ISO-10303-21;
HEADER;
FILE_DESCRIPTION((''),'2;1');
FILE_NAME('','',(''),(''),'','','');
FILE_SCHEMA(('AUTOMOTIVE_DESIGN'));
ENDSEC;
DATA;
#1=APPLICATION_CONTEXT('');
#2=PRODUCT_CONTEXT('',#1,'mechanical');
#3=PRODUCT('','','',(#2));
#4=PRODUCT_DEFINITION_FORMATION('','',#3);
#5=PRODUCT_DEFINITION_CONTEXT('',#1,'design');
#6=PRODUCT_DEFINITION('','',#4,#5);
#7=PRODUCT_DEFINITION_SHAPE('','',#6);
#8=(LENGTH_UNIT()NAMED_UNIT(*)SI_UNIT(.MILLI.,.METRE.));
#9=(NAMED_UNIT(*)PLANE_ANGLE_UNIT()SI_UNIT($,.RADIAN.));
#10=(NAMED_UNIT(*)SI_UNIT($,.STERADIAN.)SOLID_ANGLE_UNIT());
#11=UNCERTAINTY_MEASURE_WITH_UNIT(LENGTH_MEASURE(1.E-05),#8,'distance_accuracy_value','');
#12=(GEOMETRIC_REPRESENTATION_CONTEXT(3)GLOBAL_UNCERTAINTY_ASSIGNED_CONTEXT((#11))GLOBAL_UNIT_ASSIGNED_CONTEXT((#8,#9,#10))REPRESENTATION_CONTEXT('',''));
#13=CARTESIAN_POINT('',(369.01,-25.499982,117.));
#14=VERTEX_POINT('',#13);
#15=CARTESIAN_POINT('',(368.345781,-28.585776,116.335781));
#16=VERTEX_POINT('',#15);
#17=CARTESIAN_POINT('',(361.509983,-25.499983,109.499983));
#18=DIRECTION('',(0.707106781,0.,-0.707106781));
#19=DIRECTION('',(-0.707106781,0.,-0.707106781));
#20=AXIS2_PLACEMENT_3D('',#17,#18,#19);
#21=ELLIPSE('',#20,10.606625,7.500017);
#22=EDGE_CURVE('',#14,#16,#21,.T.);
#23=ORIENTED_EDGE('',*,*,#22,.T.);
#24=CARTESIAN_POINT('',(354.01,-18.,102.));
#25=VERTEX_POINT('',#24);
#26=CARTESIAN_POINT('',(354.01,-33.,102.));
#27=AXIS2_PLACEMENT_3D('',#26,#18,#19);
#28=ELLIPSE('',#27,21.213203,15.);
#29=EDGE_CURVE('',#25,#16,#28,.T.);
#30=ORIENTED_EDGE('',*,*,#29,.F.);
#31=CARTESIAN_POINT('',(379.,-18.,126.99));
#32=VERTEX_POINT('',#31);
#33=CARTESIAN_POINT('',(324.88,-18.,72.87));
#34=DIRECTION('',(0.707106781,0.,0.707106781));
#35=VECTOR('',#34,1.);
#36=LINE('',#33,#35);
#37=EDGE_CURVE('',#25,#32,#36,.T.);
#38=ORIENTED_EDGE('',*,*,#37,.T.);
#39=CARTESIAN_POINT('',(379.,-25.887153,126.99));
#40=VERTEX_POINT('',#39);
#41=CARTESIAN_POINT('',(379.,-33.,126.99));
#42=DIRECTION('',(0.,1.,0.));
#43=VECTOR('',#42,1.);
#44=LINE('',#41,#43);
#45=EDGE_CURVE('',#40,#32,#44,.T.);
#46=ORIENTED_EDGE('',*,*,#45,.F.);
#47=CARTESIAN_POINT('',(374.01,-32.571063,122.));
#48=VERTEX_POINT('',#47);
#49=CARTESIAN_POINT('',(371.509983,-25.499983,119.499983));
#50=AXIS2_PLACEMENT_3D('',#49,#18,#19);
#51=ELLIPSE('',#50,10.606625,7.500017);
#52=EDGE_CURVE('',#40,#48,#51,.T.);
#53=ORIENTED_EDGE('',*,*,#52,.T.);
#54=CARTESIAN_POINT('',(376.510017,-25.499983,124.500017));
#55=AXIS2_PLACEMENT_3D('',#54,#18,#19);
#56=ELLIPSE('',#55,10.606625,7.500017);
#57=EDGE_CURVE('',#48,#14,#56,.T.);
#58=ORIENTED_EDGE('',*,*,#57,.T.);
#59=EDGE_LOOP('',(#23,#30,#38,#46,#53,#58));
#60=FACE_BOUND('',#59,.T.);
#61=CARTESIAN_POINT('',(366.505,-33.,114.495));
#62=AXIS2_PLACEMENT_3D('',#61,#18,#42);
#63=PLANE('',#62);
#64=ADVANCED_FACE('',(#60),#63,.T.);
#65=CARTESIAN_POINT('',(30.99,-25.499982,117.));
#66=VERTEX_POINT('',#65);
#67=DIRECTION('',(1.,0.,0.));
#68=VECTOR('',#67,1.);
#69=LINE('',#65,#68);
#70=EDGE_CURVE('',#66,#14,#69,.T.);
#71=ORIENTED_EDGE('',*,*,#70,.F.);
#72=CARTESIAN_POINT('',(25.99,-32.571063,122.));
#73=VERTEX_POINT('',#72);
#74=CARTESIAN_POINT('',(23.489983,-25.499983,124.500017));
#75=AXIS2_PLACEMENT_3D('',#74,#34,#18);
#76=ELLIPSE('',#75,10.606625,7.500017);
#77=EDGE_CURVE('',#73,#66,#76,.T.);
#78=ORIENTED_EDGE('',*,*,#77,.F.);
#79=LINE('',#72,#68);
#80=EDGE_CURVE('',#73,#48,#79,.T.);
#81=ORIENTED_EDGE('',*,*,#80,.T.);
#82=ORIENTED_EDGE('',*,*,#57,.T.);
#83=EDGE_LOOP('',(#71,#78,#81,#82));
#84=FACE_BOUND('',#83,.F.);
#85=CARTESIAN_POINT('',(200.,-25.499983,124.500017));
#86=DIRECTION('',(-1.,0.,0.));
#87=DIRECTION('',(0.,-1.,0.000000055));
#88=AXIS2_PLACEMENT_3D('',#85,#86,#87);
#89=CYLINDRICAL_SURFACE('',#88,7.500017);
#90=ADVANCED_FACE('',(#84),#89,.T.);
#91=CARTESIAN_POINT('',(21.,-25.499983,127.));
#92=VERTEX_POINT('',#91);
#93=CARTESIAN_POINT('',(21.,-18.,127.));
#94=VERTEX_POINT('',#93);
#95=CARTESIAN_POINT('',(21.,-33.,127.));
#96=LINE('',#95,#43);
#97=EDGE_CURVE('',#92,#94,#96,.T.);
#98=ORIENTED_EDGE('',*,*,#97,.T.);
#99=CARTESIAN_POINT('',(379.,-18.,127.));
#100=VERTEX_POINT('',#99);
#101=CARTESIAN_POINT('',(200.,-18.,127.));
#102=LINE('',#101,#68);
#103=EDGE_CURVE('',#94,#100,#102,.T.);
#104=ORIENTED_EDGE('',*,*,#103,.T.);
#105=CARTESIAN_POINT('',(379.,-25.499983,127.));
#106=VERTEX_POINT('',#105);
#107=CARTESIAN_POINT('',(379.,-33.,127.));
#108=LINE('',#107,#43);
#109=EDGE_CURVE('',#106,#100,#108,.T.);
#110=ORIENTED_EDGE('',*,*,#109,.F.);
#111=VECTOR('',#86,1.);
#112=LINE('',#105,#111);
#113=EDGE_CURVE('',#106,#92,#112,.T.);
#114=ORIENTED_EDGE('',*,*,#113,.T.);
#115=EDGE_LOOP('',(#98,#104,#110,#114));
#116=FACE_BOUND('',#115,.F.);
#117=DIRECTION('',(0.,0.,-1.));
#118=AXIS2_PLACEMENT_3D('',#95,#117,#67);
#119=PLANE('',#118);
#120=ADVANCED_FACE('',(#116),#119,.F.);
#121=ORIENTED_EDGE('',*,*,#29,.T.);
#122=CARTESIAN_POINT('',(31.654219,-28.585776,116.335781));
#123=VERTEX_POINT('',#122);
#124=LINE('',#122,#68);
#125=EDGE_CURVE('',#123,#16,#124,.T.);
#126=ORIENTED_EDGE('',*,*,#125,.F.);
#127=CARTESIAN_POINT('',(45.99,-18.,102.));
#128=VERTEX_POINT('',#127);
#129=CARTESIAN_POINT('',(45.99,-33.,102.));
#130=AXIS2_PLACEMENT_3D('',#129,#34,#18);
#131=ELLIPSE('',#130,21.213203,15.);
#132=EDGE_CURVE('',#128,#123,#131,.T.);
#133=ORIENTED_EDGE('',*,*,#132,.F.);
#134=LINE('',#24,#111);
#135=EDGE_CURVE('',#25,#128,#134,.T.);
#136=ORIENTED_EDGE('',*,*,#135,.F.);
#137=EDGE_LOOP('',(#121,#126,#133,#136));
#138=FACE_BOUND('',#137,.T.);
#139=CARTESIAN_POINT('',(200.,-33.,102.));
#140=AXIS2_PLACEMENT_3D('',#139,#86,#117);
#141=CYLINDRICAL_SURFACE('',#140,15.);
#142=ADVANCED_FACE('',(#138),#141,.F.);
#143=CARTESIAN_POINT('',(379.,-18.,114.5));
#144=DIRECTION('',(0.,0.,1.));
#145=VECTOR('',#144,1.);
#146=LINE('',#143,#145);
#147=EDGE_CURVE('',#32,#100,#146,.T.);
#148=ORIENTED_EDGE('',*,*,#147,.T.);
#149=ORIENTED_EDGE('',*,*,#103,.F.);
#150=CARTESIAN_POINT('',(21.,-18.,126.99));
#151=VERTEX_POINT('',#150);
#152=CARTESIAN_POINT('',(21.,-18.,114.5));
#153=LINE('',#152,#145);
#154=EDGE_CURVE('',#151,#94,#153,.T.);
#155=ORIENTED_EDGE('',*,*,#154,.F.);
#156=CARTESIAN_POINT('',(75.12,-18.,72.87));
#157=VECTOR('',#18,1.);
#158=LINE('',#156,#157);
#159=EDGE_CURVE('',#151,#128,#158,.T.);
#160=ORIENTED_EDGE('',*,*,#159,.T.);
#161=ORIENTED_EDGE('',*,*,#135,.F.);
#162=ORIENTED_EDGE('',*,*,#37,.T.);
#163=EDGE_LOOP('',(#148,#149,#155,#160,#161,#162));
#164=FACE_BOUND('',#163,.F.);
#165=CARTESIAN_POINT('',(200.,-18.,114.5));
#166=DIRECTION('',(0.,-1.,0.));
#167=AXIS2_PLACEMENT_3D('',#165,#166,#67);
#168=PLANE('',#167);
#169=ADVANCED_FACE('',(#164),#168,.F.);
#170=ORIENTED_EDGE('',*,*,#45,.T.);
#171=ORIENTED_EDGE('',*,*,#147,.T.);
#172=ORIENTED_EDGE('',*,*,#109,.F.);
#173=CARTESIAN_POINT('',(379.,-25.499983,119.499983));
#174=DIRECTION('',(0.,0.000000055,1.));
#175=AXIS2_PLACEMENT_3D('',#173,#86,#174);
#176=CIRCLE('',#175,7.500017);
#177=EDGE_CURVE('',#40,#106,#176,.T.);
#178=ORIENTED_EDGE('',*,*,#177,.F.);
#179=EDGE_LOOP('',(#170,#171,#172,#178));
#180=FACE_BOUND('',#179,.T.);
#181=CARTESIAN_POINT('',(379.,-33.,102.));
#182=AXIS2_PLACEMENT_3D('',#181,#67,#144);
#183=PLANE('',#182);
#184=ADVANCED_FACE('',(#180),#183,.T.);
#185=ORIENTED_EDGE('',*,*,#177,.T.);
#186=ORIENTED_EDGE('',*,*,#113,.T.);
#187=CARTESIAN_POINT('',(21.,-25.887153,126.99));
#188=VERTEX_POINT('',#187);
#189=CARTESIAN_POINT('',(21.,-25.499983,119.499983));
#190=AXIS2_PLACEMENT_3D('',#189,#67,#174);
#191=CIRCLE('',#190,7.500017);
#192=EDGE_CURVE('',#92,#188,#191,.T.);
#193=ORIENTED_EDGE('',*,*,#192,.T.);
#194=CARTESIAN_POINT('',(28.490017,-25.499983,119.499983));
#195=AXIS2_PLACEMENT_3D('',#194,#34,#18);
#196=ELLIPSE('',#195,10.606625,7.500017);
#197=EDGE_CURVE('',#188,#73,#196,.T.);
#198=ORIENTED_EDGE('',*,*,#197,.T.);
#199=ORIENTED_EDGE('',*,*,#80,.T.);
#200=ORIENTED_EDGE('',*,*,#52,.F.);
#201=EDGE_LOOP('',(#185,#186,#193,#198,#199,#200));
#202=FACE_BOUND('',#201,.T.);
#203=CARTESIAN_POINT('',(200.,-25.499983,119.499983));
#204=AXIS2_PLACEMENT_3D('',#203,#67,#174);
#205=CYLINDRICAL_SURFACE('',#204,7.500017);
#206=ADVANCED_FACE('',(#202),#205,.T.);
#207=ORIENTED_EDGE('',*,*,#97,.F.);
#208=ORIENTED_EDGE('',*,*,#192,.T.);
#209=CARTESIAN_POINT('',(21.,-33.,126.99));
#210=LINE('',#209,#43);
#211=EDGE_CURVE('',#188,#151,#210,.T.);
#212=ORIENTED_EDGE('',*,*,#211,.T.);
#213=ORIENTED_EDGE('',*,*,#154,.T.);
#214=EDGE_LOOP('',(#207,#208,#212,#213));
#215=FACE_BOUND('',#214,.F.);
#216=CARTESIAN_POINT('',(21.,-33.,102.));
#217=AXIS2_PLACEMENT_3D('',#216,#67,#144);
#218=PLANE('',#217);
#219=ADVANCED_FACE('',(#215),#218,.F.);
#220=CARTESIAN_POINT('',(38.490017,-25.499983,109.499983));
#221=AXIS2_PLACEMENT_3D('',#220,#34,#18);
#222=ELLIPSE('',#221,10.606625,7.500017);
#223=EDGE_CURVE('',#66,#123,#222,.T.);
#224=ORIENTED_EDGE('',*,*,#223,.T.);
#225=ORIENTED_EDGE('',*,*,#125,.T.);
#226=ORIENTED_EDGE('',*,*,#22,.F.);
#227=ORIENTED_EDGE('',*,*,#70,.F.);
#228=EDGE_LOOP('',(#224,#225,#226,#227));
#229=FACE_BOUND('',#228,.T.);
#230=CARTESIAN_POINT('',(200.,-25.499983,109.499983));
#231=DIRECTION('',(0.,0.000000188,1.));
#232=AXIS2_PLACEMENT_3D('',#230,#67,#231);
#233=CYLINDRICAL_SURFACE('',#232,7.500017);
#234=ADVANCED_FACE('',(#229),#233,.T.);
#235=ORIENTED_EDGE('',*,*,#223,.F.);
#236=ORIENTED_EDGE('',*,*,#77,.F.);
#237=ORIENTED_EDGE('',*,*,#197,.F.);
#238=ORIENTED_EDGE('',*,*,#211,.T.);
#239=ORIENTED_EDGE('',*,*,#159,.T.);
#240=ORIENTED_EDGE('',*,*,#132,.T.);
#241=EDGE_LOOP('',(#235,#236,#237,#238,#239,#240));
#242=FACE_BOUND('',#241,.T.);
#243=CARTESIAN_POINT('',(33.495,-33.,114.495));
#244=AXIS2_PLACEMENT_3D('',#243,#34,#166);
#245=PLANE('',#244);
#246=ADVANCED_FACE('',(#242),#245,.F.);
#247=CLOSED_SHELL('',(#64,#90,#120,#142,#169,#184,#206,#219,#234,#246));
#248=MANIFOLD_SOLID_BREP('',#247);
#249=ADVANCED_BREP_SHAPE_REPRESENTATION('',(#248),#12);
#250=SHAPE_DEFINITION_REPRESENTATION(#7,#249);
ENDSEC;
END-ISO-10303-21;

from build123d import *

# Parameters (mm, degrees)
SKETCH006_W          = 358
SKETCH006_H          = 25
PAD002_DEPTH         = 15
FRAME45CUT001_SIZE   = 24.99
ROUTERPATTERN002_R   = 15
ROUTER002_DEPTH      = 179.001
ROUTER002_DEPTH_BACK = 179.001
ROUTER006_DEPTH      = 179.001
ROUTER006_DEPTH_BACK = 179.001
ROUTER009_DEPTH      = 179.001
ROUTER009_DEPTH_BACK = 179.001


with BuildPart() as part:
    # Sketch006 → Pad002 (new body)
    with BuildSketch(Plane(origin=(21, -33, 102), x_dir=(1, 0, 0), z_dir=(0, -1, 0))):
        with Locations((179, 12.5)):
            Rectangle(SKETCH006_W, SKETCH006_H)
    extrude(amount=-PAD002_DEPTH)

    # Frame45Cut001
    frame45cut001_edges = [part.edges().sort_by_distance(p)[0] for p in [
        (21, -25.5, 102),
        (379, -25.5, 102),
    ]]
    chamfer(frame45cut001_edges, length=FRAME45CUT001_SIZE)

    # routerPattern002 → router002 (cut, two sides)
    with BuildSketch(Plane(origin=(200, -33, 102), x_dir=(0, 0, -1), z_dir=(1, 0, 0))) as router002_sk:
        Circle(ROUTERPATTERN002_R)
    extrude(amount=-ROUTER002_DEPTH, mode=Mode.SUBTRACT)
    extrude(router002_sk.sketch, amount=ROUTER002_DEPTH_BACK, mode=Mode.SUBTRACT)

    # routerPattern006 → router006 (cut, two sides)
    with BuildSketch(Plane(origin=(200, -33, 117), x_dir=(0, 0, -1), z_dir=(1, 0, 0))) as router006_sk:
        with BuildLine():
            ThreePointArc((7.500018, 0), (2.196711, -2.196698), (0, -7.5))
            ThreePointArc((0, -7.5), (-2.19671, -2.196698), (-7.500017, 0))
            ThreePointArc((-7.500017, 0), (-2.196704, 2.196704), (0, 7.500018))
            ThreePointArc((0, 7.500018), (2.196704, 2.196704), (7.500018, 0))
        make_face()
    extrude(amount=-ROUTER006_DEPTH, mode=Mode.SUBTRACT)
    extrude(router006_sk.sketch, amount=ROUTER006_DEPTH_BACK, mode=Mode.SUBTRACT)

    # routerPattern009 → router009 (cut, two sides)
    with BuildSketch(Plane(origin=(200, -33, 127), x_dir=(0, 0, -1), z_dir=(1, 0, 0))) as router009_sk:
        with BuildLine():
            ThreePointArc((7.500017, 0), (2.19671, -2.196698), (0, -7.5))
            ThreePointArc((0, -7.5), (-2.19671, -2.196698), (-7.500016, 0))
            ThreePointArc((-7.500016, 0), (-2.196704, 2.196704), (0, 7.500017))
            ThreePointArc((0, 7.500017), (2.196704, 2.196704), (7.500017, 0))
        make_face()
    extrude(amount=-ROUTER009_DEPTH, mode=Mode.SUBTRACT)
    extrude(router009_sk.sketch, amount=ROUTER009_DEPTH_BACK, mode=Mode.SUBTRACT)


solid = part.part
